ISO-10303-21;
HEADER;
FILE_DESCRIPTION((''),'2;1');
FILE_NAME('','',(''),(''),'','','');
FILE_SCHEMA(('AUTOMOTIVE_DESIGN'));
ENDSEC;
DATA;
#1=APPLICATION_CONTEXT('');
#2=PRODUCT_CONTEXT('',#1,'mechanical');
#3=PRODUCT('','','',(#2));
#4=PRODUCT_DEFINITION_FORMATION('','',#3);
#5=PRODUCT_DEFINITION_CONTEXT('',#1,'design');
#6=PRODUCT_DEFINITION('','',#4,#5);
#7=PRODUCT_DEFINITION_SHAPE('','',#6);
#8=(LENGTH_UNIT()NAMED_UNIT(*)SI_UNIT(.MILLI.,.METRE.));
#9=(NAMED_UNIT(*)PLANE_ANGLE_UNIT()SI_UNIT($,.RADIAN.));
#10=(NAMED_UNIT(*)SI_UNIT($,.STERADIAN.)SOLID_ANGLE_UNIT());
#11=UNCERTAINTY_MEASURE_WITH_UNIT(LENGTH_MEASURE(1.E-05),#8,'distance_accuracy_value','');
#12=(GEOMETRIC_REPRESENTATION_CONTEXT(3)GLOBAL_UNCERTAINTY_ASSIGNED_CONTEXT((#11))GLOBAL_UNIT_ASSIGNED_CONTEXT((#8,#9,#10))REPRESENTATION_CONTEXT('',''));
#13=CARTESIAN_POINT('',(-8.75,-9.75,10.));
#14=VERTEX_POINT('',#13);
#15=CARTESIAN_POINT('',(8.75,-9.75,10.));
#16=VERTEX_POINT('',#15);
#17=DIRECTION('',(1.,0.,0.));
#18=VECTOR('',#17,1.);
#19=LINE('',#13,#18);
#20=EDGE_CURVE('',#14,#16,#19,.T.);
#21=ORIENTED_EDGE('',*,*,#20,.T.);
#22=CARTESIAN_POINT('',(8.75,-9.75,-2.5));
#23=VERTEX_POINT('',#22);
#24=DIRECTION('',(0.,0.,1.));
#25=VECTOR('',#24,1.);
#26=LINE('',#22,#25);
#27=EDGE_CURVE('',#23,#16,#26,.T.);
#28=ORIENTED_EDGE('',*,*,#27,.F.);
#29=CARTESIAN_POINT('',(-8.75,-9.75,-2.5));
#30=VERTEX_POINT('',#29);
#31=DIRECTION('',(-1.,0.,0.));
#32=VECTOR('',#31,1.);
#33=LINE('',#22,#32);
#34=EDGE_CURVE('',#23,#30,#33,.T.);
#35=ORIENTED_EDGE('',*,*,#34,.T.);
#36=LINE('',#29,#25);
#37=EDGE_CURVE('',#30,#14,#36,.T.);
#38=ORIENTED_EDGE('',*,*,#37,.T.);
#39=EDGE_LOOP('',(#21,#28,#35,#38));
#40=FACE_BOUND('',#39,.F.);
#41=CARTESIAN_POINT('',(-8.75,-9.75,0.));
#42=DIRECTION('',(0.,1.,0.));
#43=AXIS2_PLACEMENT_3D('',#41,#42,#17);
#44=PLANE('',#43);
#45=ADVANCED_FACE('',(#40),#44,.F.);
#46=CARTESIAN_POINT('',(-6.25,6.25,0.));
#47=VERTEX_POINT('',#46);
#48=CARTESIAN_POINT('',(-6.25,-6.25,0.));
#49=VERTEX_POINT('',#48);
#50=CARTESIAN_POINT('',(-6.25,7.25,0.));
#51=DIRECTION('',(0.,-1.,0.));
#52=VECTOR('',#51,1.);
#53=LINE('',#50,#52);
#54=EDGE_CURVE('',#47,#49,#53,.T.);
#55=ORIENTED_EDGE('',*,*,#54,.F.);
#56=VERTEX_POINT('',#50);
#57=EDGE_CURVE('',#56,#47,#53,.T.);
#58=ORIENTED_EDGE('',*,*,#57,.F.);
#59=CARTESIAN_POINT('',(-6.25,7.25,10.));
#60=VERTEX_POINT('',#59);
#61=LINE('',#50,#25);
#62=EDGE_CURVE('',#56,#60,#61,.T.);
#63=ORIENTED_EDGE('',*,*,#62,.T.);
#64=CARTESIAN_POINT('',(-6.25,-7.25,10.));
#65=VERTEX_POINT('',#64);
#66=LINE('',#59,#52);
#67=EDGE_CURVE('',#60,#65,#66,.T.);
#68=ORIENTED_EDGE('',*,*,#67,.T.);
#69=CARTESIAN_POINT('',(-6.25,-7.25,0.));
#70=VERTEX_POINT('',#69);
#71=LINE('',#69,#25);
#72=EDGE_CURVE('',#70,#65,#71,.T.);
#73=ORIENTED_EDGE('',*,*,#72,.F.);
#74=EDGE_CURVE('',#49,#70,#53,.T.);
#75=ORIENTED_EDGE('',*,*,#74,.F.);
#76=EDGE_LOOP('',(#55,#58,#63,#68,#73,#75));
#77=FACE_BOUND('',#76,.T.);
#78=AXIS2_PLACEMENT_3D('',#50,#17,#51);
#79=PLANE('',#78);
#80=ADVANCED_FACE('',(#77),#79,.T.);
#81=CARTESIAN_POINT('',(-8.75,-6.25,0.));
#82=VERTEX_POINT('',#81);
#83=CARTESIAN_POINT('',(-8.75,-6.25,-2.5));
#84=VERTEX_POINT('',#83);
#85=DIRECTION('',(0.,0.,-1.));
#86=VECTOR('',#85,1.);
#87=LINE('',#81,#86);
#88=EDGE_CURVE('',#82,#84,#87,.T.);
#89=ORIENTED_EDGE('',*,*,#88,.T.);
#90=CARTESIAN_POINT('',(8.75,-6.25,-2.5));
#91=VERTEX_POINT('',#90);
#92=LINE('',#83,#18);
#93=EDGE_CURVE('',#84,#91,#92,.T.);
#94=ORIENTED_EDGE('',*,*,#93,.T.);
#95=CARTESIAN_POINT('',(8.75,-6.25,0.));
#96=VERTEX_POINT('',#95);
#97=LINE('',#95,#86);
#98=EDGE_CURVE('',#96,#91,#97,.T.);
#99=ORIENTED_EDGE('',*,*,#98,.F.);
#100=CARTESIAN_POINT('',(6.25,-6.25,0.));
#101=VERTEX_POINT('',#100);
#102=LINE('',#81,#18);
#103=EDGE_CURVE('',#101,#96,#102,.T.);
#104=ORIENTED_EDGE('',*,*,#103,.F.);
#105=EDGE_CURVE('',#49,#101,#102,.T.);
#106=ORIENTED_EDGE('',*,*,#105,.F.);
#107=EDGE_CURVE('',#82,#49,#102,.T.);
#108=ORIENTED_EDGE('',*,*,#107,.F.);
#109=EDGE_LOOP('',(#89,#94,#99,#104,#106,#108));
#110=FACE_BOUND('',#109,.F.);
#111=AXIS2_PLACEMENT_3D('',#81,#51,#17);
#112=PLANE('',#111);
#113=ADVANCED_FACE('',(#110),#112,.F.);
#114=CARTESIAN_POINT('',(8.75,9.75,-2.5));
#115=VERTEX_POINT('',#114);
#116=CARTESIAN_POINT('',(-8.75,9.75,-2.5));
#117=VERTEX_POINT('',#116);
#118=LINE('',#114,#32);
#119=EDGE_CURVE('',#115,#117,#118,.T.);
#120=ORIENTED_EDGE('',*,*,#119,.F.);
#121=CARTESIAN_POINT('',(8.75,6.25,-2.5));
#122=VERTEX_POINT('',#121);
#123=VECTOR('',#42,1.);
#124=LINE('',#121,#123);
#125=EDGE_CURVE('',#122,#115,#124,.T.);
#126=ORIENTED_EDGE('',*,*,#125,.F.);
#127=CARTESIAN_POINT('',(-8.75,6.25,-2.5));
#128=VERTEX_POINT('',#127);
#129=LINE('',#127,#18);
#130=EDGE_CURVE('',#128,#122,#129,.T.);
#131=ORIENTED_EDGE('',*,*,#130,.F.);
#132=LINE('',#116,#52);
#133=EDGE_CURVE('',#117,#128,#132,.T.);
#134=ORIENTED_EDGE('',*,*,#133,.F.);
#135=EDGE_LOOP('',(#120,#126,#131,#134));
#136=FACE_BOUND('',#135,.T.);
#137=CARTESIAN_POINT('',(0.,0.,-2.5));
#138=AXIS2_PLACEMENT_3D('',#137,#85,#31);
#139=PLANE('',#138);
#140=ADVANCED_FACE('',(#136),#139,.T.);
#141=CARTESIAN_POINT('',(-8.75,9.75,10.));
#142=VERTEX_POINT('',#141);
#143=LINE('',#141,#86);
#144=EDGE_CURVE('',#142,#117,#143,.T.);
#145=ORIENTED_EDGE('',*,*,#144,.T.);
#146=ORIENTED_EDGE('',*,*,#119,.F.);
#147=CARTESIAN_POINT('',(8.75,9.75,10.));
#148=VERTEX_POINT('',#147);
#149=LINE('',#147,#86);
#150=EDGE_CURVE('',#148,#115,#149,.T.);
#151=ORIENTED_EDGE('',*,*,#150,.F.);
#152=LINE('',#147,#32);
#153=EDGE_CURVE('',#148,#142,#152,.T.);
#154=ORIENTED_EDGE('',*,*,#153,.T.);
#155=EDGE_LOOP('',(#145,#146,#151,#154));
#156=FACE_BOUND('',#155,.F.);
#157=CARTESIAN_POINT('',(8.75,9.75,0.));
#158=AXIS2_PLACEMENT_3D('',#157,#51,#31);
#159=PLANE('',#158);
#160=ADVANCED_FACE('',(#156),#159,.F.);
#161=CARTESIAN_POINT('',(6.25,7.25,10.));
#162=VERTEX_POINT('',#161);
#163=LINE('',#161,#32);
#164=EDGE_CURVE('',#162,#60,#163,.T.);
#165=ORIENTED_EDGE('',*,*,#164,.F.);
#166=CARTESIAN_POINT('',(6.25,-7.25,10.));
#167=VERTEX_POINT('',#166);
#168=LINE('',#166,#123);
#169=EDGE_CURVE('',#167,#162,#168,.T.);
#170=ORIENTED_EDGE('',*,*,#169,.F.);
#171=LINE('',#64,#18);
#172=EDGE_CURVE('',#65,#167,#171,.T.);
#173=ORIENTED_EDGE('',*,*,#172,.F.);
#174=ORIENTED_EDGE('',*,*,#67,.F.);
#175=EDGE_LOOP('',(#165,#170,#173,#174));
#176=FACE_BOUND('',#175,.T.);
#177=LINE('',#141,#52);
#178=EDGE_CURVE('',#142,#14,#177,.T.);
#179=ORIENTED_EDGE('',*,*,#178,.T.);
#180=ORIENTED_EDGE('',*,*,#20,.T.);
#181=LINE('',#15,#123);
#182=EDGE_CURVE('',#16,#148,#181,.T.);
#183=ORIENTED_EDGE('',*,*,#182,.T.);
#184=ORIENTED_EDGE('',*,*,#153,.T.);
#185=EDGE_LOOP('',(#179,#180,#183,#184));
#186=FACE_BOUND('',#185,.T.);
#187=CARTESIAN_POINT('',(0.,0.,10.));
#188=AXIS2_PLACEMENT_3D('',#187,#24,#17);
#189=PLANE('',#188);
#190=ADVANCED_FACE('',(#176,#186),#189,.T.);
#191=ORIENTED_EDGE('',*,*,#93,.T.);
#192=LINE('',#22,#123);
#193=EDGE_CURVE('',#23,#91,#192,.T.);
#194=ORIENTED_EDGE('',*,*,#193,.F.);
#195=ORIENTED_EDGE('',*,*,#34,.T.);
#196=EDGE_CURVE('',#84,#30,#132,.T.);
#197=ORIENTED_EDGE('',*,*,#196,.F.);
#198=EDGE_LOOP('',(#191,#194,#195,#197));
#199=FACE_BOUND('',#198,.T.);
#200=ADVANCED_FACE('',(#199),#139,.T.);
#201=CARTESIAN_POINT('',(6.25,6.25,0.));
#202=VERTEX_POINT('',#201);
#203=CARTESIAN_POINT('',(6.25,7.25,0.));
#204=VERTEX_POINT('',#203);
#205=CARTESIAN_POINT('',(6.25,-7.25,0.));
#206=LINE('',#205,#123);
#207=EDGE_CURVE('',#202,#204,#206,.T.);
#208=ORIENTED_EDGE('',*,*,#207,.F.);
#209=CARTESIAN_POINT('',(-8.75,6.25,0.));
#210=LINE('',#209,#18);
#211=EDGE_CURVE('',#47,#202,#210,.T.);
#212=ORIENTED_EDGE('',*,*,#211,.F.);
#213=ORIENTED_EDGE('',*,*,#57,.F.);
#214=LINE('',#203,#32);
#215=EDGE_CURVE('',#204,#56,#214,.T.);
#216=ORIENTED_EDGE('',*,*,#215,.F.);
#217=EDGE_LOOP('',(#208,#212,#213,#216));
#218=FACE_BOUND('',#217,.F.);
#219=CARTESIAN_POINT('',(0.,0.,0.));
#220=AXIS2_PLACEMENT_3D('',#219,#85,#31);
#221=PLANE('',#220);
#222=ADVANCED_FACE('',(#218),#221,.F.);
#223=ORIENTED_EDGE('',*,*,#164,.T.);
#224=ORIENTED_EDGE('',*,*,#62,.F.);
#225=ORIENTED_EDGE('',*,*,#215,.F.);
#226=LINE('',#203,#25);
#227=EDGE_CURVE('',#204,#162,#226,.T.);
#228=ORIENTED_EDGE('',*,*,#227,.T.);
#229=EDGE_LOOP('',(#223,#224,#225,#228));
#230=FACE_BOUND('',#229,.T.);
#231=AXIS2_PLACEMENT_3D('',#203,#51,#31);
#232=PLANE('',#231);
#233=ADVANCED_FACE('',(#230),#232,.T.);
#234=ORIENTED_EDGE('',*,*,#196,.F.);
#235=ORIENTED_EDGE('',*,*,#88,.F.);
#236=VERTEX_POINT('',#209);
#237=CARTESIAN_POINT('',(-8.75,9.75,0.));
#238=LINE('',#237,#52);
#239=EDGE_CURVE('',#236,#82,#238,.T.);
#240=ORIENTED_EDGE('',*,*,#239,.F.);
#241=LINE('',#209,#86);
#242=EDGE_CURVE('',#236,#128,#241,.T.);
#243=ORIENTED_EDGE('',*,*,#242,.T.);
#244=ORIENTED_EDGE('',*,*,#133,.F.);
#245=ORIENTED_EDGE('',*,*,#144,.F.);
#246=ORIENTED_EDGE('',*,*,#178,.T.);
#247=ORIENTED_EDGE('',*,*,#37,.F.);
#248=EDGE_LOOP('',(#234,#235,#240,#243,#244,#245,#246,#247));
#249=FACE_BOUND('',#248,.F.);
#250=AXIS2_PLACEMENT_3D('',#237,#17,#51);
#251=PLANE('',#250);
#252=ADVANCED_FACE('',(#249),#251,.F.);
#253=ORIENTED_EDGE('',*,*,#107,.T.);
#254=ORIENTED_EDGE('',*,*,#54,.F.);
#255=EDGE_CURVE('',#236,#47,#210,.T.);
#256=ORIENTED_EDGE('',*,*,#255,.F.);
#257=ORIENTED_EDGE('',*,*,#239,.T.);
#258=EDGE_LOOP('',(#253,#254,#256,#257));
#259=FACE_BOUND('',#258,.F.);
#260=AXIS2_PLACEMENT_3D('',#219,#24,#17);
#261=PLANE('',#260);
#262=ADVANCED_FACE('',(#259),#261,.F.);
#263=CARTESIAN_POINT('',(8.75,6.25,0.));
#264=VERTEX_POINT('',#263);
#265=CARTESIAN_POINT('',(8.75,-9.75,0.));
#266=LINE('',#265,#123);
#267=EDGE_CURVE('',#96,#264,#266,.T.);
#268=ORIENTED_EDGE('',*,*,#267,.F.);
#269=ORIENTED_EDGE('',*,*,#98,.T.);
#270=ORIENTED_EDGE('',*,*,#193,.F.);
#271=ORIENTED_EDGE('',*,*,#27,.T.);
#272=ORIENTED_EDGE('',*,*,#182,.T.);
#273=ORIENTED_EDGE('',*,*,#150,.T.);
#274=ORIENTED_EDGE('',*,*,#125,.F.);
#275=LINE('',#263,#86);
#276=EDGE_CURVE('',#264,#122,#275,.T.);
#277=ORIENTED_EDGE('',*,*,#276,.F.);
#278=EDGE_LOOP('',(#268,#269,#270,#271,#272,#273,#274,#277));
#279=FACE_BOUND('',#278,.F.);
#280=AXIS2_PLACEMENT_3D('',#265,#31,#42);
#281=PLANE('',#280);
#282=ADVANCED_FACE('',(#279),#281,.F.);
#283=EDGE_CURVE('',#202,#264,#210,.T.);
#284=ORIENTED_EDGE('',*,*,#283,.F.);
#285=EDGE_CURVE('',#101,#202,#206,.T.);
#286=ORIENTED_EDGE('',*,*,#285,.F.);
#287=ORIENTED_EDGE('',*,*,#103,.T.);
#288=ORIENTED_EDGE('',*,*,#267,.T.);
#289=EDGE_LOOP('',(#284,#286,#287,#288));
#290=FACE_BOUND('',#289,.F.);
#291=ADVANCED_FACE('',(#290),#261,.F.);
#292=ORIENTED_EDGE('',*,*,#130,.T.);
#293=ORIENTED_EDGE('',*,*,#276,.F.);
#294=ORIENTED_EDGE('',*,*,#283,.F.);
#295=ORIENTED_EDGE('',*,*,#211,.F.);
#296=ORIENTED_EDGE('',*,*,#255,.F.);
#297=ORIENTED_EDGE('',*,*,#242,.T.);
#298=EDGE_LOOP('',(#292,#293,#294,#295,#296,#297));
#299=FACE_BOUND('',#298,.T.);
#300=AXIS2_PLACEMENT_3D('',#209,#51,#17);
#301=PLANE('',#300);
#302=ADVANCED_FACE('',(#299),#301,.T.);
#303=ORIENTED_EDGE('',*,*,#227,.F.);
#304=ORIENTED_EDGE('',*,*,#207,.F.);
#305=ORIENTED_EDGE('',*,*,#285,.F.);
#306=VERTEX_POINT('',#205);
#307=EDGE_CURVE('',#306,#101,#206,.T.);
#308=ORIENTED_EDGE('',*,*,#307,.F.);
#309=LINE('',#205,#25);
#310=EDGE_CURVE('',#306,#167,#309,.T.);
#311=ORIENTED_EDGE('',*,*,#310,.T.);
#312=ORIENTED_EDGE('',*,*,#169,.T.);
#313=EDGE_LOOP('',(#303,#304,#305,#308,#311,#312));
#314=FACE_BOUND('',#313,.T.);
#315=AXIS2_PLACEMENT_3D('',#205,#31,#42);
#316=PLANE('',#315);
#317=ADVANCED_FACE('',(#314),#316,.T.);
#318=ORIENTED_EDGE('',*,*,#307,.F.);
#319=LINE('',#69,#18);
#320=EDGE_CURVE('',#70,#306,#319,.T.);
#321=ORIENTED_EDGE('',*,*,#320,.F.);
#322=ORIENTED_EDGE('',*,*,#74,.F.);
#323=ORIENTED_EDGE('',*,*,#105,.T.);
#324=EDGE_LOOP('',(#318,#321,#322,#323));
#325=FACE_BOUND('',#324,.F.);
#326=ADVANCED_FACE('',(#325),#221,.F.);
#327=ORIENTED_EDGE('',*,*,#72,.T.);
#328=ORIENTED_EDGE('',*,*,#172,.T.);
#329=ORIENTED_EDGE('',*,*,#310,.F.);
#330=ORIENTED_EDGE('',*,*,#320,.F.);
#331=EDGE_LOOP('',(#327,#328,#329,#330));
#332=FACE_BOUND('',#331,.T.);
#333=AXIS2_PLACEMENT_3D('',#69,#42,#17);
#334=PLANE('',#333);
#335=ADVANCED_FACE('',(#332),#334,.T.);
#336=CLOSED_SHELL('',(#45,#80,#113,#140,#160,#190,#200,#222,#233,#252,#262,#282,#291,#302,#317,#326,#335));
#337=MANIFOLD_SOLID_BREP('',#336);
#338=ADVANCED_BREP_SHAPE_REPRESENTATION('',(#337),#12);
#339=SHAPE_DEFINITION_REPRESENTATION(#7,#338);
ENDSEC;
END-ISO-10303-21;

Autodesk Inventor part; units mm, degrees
ref_plane "YZ Plane" through (0, 0, 0) normal (1, 0, 0) x (0, 1, 0)
ref_plane "XZ Plane" through (0, 0, 0) normal (0, 1, 0) x (-1, 0, 0)
ref_plane "XY Plane" through (0, 0, 0) normal (0, 0, 1) x (1, 0, 0)
sketch "Sketch1" plane through (0, 0, 0) normal (0, 0, 1) x (1, 0, 0)
  line L0 (-6.25, -7.25) -> (6.25, -7.25)
  line L1 (6.25, -7.25) -> (6.25, 7.25)
  line L2 (6.25, 7.25) -> (-6.25, 7.25)
  line L3 (-6.25, 7.25) -> (-6.25, -7.25)
  line L4 (-6.25, -7.25) -> (6.25, 7.25) construction
  line L5 (6.25, -7.25) -> (-6.25, 7.25) construction
  line L6 (-8.75, -9.75) -> (8.75, -9.75)
  line L7 (8.75, -9.75) -> (8.75, 9.75)
  line L8 (8.75, 9.75) -> (-8.75, 9.75)
  line L9 (-8.75, 9.75) -> (-8.75, -9.75)
  line L10 (-8.75, -9.75) -> (8.75, 9.75) construction
  line L11 (8.75, -9.75) -> (-8.75, 9.75) construction
  point P0 (0, 0)
  dimension "d0" = 12.5
  dimension "d1" = 14.5
  dimension "d2" = 17.5
  dimension "d3" = 19.5
extrude "Extrusion1" add sketch "Sketch1" along normal blind 10
sketch "Sketch2" plane through (0, 0, 0) normal (0, 0, -1) x (-1, 0, 0)
  line L0 (8.75, 9.75) -> (8.75, -9.75) projected
  line L1 (-8.75, 9.75) -> (8.75, 9.75)
  line L2 (8.75, 9.75) -> (8.75, 6.25)
  line L3 (8.75, 6.25) -> (-8.75, 6.25)
  line L4 (-8.75, 6.25) -> (-8.75, 9.75)
  line L5 (6.25, 7.25) -> (-6.25, 7.25) projected
  line L6 (-8.75, -9.75) -> (-8.75, 9.75) projected
  line L7 (-8.75, -9.75) -> (8.75, -9.75)
  line L8 (8.75, -9.75) -> (8.75, -6.25)
  line L9 (8.75, -6.25) -> (-8.75, -6.25)
  line L10 (-8.75, -6.25) -> (-8.75, -9.75)
  line L11 (-6.25, -7.25) -> (6.25, -7.25) projected
  point P0 (0, 0)
  point P1 (-8.75, -6.25)
  dimension "d6" = 1
  dimension "d7" = 1
extrude "Extrusion2" add sketch "Sketch2" along normal blind 2.5 contours L0 L3 L4 L1 | L0 L7 L6 L9
properties part number "Adafruit_1528_4663-ND_House_02"
